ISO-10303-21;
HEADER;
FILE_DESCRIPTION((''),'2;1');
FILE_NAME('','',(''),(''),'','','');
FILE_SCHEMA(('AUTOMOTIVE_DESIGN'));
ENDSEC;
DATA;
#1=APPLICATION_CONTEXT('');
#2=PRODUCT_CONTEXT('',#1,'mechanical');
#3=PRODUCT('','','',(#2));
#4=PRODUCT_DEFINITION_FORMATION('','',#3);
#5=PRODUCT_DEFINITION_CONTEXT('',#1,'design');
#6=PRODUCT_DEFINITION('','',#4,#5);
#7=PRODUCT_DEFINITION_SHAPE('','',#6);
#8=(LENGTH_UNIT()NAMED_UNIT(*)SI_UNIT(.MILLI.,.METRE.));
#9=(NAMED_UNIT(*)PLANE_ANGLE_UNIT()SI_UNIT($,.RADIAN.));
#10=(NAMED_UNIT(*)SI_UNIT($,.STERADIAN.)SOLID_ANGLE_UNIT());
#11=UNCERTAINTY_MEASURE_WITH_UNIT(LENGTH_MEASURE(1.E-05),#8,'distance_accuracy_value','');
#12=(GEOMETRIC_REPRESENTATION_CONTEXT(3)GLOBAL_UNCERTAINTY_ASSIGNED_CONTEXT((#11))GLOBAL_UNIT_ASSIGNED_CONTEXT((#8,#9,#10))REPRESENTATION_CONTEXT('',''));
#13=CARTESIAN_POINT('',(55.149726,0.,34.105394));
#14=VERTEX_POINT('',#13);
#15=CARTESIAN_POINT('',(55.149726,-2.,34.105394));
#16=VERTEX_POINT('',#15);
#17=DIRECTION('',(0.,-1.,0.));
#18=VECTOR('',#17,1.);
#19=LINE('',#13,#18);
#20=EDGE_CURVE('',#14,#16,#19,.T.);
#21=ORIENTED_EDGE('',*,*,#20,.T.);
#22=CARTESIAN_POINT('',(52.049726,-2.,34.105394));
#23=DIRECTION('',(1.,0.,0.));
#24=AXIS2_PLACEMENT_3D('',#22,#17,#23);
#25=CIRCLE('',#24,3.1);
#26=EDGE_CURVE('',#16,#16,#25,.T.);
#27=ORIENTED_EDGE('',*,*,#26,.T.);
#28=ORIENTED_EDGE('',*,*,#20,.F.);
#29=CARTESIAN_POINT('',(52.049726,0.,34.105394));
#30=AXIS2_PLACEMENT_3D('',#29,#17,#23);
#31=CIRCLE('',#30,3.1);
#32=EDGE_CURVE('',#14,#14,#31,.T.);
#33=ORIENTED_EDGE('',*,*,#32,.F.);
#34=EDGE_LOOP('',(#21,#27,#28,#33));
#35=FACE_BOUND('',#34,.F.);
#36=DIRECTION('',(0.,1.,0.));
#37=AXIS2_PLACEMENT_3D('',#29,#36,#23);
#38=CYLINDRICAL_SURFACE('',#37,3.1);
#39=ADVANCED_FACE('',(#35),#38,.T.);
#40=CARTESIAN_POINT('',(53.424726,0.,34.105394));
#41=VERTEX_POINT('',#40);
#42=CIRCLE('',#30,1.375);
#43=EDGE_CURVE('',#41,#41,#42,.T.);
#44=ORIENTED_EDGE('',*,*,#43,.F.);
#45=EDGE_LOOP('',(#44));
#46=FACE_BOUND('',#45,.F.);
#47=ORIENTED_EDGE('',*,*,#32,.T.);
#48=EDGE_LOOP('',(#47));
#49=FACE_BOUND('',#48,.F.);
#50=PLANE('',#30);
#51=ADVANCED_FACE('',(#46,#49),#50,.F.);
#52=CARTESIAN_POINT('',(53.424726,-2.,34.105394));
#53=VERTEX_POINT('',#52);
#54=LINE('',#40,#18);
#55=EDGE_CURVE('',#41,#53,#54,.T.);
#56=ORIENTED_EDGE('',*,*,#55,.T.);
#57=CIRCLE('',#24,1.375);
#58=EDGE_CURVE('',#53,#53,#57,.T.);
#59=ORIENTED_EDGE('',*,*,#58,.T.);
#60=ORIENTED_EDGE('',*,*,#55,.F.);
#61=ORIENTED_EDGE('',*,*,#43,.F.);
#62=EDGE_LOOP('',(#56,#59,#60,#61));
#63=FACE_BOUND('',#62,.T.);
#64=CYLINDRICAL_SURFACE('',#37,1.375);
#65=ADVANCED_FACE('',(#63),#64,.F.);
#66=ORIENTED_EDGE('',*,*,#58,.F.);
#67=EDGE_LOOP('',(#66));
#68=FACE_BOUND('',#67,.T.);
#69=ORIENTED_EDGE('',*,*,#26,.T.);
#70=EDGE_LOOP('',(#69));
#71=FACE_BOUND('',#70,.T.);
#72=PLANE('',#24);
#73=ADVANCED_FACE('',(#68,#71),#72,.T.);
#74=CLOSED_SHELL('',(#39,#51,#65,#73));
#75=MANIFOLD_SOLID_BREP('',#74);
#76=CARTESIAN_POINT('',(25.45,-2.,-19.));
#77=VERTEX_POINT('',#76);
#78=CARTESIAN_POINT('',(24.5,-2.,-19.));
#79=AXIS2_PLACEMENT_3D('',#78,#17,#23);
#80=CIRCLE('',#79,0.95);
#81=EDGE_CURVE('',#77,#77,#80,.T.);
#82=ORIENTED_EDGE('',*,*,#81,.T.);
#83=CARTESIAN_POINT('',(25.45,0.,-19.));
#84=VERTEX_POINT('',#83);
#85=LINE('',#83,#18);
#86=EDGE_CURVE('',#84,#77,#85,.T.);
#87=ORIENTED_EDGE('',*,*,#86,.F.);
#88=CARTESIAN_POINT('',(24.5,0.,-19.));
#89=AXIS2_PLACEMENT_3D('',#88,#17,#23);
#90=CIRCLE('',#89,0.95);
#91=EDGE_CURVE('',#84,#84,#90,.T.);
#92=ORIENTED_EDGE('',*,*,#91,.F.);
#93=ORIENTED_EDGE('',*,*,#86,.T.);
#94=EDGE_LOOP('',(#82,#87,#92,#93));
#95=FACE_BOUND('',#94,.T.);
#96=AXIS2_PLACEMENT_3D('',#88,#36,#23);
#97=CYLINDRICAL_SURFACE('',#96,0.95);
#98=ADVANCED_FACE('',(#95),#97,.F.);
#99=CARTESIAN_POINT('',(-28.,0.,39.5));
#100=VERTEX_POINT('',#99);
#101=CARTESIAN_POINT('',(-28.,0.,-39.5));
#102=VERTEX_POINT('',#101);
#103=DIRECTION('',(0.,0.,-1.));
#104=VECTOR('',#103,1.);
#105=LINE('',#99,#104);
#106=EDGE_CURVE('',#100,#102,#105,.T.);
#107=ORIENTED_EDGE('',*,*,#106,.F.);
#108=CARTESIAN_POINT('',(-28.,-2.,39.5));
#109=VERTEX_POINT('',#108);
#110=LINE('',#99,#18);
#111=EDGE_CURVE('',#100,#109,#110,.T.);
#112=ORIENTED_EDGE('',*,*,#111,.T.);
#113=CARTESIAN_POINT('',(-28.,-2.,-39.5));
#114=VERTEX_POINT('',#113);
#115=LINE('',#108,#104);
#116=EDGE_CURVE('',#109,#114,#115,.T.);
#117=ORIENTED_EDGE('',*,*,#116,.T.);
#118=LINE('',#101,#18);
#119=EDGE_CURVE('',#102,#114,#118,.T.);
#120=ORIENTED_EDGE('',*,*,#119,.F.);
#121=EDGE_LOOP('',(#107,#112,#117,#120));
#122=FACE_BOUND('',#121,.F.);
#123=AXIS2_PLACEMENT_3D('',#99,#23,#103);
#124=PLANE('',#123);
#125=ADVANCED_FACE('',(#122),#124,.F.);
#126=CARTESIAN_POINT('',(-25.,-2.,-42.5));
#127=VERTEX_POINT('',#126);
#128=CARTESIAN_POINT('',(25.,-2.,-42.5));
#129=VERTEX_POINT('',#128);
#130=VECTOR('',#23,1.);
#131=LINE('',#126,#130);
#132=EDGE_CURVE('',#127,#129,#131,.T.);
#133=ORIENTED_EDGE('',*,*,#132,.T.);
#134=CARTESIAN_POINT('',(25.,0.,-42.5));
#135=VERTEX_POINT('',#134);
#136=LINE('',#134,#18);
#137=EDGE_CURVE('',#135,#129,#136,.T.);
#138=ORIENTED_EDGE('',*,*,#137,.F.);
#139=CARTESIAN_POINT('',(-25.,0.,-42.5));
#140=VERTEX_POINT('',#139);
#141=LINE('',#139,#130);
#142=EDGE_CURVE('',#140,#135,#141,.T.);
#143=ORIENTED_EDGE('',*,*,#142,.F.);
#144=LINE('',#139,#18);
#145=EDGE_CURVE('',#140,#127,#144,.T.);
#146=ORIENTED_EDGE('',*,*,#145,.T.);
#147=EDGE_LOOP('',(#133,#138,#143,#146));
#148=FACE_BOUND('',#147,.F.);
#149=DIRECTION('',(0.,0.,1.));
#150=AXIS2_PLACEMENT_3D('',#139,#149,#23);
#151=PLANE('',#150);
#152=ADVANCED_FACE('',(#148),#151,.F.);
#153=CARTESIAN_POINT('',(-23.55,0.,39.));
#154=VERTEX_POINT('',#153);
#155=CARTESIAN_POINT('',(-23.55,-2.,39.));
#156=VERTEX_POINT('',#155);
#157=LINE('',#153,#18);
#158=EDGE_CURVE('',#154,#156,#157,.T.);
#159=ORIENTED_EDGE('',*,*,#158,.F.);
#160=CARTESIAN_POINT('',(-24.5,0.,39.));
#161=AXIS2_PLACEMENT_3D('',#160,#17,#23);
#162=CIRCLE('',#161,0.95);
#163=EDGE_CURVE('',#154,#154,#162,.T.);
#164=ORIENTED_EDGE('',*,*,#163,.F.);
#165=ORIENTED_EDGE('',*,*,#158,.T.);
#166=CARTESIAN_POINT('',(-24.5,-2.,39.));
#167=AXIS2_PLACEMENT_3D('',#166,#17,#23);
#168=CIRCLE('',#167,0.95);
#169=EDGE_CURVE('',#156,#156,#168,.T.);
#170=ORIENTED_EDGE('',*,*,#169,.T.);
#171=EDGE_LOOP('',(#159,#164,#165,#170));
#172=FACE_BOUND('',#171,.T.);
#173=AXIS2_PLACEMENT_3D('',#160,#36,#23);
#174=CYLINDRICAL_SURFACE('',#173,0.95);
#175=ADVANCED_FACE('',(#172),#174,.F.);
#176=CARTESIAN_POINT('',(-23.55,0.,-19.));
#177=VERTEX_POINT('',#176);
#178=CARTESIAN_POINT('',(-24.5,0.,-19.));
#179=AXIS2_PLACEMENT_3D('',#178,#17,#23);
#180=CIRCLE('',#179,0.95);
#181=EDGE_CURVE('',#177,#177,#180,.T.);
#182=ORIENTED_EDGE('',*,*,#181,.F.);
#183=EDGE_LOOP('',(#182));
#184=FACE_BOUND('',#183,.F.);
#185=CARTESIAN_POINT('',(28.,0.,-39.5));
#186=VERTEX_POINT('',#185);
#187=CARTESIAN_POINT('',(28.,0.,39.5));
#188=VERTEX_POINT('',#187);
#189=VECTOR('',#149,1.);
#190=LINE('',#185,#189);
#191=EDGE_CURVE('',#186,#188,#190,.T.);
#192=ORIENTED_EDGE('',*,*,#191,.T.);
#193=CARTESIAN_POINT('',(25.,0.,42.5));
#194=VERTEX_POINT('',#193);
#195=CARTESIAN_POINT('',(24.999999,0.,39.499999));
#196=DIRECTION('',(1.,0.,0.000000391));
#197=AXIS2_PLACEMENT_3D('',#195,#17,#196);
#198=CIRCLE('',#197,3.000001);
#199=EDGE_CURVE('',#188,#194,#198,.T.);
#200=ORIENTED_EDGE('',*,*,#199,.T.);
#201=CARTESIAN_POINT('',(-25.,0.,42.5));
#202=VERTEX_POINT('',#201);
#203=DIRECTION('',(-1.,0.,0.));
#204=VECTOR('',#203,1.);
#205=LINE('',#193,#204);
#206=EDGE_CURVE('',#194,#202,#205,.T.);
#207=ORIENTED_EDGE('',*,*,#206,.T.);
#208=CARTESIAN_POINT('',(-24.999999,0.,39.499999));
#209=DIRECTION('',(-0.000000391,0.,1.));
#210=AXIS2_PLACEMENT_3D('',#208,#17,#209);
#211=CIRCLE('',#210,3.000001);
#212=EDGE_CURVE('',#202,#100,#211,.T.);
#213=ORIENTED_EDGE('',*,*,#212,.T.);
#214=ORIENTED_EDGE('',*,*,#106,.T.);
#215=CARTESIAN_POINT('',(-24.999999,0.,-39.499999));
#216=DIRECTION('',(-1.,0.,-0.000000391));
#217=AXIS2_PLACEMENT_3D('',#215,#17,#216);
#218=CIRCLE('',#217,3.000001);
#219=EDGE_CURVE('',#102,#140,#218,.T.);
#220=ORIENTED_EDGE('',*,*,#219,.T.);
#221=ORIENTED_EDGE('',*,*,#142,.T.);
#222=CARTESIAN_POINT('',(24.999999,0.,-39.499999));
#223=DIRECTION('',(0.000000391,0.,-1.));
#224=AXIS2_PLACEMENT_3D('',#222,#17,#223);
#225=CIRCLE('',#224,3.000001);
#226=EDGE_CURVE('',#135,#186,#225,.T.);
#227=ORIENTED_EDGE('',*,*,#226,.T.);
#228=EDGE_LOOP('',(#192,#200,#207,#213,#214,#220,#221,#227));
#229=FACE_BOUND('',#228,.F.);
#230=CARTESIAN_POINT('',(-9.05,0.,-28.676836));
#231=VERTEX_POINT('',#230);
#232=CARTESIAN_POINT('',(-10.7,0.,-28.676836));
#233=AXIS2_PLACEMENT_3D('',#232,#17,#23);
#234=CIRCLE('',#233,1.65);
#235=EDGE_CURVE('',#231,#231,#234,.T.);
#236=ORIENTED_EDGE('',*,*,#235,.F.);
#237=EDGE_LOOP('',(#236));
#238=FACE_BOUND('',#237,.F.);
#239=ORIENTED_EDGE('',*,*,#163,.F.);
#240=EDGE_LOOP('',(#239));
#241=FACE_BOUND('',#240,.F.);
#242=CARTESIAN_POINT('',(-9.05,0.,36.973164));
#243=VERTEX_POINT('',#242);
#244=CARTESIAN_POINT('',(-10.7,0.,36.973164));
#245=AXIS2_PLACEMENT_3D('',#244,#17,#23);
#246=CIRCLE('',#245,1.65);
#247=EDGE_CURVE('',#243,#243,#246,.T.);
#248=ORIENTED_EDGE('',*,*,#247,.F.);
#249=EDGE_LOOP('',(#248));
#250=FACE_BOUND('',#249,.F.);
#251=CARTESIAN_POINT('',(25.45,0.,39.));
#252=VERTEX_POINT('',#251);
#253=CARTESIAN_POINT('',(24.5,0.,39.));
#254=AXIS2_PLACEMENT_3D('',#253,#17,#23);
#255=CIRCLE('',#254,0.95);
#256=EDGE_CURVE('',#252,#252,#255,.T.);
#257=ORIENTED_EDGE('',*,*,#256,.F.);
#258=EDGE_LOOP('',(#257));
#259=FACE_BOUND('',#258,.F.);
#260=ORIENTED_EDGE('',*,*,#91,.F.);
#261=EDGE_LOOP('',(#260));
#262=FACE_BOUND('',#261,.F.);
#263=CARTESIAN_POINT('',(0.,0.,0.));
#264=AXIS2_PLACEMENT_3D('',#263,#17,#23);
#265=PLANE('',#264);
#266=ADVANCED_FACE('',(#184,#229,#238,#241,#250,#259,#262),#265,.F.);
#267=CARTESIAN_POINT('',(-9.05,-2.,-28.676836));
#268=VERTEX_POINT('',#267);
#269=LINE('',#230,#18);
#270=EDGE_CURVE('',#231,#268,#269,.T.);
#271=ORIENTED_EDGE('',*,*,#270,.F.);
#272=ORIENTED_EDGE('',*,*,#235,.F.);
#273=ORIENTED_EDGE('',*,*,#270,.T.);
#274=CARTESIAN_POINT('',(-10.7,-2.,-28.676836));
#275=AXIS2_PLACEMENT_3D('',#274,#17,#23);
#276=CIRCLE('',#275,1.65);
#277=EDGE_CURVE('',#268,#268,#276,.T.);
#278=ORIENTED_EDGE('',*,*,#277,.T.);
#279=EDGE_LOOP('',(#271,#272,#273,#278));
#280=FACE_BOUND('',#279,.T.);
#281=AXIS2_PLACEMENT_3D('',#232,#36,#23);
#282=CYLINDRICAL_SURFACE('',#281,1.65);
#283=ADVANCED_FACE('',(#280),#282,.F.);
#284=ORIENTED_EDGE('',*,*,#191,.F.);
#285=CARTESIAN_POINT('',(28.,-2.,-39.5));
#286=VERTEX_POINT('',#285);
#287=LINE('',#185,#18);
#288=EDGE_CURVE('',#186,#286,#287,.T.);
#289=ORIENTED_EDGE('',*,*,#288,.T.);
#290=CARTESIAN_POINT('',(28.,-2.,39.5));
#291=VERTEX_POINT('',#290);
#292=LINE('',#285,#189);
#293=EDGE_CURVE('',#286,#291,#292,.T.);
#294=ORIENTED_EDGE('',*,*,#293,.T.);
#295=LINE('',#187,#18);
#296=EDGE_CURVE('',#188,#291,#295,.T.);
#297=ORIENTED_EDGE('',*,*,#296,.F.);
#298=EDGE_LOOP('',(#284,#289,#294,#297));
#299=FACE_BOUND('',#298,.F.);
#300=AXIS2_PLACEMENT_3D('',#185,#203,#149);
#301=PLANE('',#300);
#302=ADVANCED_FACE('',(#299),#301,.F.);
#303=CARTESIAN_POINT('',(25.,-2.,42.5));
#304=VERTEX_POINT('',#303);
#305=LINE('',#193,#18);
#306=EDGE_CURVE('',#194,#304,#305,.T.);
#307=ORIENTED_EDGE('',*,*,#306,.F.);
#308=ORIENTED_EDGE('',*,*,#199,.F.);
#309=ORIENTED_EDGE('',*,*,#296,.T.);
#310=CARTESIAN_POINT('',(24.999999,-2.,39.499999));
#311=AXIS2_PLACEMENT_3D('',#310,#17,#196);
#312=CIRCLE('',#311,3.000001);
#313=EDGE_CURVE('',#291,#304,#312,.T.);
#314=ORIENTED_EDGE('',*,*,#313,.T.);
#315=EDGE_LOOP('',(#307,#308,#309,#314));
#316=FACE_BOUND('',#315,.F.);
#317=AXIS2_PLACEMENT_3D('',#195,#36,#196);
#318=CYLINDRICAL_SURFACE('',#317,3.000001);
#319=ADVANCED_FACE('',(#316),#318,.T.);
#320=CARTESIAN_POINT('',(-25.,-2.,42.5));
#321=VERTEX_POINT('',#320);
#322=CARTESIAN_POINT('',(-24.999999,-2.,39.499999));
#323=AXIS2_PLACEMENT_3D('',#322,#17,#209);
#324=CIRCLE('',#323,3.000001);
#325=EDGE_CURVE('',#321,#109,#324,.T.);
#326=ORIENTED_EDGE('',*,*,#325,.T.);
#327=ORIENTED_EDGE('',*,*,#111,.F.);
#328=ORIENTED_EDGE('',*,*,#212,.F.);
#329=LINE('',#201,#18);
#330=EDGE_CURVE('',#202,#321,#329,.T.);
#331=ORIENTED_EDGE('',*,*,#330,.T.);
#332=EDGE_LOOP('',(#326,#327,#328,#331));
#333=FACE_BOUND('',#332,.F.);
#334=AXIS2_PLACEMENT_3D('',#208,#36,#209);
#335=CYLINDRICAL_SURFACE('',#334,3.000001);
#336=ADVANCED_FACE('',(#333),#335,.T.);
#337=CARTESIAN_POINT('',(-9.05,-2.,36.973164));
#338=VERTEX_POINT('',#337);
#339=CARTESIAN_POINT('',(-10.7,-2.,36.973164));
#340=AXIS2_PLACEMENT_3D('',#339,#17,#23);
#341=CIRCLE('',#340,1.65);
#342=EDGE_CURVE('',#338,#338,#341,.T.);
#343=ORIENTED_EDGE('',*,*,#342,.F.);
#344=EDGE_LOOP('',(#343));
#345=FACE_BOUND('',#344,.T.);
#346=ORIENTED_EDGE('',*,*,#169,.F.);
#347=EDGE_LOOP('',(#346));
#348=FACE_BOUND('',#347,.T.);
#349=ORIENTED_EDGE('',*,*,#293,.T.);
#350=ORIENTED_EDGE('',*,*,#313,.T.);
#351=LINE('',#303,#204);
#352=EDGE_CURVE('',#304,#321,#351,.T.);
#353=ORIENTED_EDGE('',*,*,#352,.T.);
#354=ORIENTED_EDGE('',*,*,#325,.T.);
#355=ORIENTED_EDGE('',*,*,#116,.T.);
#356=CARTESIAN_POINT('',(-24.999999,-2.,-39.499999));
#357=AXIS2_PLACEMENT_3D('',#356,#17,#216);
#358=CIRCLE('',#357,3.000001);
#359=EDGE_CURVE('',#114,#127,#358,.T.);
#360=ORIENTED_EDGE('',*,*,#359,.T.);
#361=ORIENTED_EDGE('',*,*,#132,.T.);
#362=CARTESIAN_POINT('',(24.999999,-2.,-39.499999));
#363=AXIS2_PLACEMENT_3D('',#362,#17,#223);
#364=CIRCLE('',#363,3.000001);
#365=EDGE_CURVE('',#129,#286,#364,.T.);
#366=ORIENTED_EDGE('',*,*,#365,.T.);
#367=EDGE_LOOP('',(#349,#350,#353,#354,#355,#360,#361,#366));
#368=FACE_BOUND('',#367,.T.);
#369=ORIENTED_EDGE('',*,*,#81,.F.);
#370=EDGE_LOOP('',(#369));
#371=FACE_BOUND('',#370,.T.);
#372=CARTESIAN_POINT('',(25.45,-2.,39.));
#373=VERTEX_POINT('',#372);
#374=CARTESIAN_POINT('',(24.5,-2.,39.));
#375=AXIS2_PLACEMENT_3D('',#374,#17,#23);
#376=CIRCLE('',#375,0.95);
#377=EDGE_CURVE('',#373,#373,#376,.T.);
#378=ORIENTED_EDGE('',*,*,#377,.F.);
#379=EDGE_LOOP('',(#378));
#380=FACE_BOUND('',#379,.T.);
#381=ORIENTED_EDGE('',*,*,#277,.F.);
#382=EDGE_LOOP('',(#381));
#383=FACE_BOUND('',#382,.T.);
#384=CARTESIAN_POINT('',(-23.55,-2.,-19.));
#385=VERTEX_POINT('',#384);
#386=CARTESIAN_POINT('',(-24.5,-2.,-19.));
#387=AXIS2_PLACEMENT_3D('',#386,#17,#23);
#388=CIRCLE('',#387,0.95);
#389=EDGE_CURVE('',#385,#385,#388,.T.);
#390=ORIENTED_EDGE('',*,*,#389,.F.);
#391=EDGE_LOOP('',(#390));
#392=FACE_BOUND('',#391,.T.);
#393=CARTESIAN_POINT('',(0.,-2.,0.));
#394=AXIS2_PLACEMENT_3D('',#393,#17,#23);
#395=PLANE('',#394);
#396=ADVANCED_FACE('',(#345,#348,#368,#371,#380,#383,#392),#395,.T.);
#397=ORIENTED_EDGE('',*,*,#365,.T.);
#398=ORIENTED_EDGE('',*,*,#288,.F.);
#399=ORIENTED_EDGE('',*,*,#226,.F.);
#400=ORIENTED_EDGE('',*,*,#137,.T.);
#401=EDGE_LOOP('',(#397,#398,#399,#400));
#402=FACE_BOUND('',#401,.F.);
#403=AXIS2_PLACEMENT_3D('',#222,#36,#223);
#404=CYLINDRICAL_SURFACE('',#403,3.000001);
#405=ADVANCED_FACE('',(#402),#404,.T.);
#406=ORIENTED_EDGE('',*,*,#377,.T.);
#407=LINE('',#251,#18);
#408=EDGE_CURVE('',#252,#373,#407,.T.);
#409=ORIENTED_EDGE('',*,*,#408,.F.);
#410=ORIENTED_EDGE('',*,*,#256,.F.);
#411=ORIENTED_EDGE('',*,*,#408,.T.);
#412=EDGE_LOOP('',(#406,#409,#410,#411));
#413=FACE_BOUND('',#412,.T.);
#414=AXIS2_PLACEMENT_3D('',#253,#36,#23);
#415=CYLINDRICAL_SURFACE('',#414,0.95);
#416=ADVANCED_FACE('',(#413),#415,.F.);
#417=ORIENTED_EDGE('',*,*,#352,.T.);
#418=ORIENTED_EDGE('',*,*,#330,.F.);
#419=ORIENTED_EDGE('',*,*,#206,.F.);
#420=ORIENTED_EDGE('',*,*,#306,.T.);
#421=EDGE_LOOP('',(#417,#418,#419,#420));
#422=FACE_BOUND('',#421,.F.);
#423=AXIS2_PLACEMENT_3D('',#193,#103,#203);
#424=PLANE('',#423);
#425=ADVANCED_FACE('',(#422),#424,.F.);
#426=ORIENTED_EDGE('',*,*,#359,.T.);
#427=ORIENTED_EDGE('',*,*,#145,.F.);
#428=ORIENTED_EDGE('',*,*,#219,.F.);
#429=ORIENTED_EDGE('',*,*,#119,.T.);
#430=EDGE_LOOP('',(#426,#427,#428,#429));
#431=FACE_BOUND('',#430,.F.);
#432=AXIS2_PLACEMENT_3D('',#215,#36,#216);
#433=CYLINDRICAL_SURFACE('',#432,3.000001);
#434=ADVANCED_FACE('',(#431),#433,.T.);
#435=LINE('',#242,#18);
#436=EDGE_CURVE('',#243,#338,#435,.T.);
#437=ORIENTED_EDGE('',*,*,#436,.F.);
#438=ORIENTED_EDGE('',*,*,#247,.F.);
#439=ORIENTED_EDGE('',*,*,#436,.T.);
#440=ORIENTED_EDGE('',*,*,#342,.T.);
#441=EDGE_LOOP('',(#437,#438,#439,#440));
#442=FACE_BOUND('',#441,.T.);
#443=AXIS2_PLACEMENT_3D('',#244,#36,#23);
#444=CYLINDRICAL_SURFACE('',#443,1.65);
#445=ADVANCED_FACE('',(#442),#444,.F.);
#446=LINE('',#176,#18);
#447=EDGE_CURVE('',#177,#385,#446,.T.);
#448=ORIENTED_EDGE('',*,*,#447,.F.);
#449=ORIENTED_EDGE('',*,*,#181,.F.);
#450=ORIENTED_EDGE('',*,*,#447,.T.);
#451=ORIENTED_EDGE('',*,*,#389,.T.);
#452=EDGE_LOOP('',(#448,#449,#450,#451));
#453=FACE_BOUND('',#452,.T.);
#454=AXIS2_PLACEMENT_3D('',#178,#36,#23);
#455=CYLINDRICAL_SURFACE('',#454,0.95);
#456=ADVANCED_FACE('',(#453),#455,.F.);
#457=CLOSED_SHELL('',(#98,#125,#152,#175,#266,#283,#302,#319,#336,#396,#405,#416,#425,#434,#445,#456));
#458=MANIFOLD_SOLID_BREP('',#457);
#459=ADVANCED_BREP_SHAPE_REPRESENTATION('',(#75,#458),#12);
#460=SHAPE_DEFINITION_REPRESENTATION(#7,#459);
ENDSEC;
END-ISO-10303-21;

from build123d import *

# Parameters (mm, degrees)
F0_R     = 1.65
F0_R_2   = 0.95
F0_R_3   = 3.1
F0_R_4   = 1.375
F1_DEPTH = 2


with BuildPart() as f1:
    # F0 (on Front) → F1 (new body)
    with BuildSketch(Plane.XZ):
        with BuildLine():
            Line((25, 42.5), (-25, 42.5))
            ThreePointArc((-25, 42.5), (-27.12132, 41.62132), (-28, 39.5))
            Line((-28, 39.5), (-28, -39.5))
            ThreePointArc((-28, -39.5), (-27.12132, -41.62132), (-25, -42.5))
            Line((-25, -42.5), (25, -42.5))
            ThreePointArc((25, -42.5), (27.12132, -41.62132), (28, -39.5))
            Line((28, -39.5), (28, 39.5))
            ThreePointArc((28, 39.5), (27.12132, 41.62132), (25, 42.5))
        make_face()
        with Locations((-10.7, -28.676836)):
            Circle(F0_R, mode=Mode.SUBTRACT)
        with Locations((-24.5, -19)):
            Circle(F0_R_2, mode=Mode.SUBTRACT)
        with Locations((24.5, -19)):
            Circle(F0_R_2, mode=Mode.SUBTRACT)
        with Locations((-24.5, 39)):
            Circle(F0_R_2, mode=Mode.SUBTRACT)
        with Locations((-10.7, 36.973164)):
            Circle(F0_R, mode=Mode.SUBTRACT)
        with Locations((24.5, 39)):
            Circle(F0_R_2, mode=Mode.SUBTRACT)
        with Locations((52.049726, 34.105394)):
            Circle(F0_R_3)
        with Locations((52.049726, 34.105394)):
            Circle(F0_R_4, mode=Mode.SUBTRACT)
    extrude(amount=F1_DEPTH)


solid = f1.part
